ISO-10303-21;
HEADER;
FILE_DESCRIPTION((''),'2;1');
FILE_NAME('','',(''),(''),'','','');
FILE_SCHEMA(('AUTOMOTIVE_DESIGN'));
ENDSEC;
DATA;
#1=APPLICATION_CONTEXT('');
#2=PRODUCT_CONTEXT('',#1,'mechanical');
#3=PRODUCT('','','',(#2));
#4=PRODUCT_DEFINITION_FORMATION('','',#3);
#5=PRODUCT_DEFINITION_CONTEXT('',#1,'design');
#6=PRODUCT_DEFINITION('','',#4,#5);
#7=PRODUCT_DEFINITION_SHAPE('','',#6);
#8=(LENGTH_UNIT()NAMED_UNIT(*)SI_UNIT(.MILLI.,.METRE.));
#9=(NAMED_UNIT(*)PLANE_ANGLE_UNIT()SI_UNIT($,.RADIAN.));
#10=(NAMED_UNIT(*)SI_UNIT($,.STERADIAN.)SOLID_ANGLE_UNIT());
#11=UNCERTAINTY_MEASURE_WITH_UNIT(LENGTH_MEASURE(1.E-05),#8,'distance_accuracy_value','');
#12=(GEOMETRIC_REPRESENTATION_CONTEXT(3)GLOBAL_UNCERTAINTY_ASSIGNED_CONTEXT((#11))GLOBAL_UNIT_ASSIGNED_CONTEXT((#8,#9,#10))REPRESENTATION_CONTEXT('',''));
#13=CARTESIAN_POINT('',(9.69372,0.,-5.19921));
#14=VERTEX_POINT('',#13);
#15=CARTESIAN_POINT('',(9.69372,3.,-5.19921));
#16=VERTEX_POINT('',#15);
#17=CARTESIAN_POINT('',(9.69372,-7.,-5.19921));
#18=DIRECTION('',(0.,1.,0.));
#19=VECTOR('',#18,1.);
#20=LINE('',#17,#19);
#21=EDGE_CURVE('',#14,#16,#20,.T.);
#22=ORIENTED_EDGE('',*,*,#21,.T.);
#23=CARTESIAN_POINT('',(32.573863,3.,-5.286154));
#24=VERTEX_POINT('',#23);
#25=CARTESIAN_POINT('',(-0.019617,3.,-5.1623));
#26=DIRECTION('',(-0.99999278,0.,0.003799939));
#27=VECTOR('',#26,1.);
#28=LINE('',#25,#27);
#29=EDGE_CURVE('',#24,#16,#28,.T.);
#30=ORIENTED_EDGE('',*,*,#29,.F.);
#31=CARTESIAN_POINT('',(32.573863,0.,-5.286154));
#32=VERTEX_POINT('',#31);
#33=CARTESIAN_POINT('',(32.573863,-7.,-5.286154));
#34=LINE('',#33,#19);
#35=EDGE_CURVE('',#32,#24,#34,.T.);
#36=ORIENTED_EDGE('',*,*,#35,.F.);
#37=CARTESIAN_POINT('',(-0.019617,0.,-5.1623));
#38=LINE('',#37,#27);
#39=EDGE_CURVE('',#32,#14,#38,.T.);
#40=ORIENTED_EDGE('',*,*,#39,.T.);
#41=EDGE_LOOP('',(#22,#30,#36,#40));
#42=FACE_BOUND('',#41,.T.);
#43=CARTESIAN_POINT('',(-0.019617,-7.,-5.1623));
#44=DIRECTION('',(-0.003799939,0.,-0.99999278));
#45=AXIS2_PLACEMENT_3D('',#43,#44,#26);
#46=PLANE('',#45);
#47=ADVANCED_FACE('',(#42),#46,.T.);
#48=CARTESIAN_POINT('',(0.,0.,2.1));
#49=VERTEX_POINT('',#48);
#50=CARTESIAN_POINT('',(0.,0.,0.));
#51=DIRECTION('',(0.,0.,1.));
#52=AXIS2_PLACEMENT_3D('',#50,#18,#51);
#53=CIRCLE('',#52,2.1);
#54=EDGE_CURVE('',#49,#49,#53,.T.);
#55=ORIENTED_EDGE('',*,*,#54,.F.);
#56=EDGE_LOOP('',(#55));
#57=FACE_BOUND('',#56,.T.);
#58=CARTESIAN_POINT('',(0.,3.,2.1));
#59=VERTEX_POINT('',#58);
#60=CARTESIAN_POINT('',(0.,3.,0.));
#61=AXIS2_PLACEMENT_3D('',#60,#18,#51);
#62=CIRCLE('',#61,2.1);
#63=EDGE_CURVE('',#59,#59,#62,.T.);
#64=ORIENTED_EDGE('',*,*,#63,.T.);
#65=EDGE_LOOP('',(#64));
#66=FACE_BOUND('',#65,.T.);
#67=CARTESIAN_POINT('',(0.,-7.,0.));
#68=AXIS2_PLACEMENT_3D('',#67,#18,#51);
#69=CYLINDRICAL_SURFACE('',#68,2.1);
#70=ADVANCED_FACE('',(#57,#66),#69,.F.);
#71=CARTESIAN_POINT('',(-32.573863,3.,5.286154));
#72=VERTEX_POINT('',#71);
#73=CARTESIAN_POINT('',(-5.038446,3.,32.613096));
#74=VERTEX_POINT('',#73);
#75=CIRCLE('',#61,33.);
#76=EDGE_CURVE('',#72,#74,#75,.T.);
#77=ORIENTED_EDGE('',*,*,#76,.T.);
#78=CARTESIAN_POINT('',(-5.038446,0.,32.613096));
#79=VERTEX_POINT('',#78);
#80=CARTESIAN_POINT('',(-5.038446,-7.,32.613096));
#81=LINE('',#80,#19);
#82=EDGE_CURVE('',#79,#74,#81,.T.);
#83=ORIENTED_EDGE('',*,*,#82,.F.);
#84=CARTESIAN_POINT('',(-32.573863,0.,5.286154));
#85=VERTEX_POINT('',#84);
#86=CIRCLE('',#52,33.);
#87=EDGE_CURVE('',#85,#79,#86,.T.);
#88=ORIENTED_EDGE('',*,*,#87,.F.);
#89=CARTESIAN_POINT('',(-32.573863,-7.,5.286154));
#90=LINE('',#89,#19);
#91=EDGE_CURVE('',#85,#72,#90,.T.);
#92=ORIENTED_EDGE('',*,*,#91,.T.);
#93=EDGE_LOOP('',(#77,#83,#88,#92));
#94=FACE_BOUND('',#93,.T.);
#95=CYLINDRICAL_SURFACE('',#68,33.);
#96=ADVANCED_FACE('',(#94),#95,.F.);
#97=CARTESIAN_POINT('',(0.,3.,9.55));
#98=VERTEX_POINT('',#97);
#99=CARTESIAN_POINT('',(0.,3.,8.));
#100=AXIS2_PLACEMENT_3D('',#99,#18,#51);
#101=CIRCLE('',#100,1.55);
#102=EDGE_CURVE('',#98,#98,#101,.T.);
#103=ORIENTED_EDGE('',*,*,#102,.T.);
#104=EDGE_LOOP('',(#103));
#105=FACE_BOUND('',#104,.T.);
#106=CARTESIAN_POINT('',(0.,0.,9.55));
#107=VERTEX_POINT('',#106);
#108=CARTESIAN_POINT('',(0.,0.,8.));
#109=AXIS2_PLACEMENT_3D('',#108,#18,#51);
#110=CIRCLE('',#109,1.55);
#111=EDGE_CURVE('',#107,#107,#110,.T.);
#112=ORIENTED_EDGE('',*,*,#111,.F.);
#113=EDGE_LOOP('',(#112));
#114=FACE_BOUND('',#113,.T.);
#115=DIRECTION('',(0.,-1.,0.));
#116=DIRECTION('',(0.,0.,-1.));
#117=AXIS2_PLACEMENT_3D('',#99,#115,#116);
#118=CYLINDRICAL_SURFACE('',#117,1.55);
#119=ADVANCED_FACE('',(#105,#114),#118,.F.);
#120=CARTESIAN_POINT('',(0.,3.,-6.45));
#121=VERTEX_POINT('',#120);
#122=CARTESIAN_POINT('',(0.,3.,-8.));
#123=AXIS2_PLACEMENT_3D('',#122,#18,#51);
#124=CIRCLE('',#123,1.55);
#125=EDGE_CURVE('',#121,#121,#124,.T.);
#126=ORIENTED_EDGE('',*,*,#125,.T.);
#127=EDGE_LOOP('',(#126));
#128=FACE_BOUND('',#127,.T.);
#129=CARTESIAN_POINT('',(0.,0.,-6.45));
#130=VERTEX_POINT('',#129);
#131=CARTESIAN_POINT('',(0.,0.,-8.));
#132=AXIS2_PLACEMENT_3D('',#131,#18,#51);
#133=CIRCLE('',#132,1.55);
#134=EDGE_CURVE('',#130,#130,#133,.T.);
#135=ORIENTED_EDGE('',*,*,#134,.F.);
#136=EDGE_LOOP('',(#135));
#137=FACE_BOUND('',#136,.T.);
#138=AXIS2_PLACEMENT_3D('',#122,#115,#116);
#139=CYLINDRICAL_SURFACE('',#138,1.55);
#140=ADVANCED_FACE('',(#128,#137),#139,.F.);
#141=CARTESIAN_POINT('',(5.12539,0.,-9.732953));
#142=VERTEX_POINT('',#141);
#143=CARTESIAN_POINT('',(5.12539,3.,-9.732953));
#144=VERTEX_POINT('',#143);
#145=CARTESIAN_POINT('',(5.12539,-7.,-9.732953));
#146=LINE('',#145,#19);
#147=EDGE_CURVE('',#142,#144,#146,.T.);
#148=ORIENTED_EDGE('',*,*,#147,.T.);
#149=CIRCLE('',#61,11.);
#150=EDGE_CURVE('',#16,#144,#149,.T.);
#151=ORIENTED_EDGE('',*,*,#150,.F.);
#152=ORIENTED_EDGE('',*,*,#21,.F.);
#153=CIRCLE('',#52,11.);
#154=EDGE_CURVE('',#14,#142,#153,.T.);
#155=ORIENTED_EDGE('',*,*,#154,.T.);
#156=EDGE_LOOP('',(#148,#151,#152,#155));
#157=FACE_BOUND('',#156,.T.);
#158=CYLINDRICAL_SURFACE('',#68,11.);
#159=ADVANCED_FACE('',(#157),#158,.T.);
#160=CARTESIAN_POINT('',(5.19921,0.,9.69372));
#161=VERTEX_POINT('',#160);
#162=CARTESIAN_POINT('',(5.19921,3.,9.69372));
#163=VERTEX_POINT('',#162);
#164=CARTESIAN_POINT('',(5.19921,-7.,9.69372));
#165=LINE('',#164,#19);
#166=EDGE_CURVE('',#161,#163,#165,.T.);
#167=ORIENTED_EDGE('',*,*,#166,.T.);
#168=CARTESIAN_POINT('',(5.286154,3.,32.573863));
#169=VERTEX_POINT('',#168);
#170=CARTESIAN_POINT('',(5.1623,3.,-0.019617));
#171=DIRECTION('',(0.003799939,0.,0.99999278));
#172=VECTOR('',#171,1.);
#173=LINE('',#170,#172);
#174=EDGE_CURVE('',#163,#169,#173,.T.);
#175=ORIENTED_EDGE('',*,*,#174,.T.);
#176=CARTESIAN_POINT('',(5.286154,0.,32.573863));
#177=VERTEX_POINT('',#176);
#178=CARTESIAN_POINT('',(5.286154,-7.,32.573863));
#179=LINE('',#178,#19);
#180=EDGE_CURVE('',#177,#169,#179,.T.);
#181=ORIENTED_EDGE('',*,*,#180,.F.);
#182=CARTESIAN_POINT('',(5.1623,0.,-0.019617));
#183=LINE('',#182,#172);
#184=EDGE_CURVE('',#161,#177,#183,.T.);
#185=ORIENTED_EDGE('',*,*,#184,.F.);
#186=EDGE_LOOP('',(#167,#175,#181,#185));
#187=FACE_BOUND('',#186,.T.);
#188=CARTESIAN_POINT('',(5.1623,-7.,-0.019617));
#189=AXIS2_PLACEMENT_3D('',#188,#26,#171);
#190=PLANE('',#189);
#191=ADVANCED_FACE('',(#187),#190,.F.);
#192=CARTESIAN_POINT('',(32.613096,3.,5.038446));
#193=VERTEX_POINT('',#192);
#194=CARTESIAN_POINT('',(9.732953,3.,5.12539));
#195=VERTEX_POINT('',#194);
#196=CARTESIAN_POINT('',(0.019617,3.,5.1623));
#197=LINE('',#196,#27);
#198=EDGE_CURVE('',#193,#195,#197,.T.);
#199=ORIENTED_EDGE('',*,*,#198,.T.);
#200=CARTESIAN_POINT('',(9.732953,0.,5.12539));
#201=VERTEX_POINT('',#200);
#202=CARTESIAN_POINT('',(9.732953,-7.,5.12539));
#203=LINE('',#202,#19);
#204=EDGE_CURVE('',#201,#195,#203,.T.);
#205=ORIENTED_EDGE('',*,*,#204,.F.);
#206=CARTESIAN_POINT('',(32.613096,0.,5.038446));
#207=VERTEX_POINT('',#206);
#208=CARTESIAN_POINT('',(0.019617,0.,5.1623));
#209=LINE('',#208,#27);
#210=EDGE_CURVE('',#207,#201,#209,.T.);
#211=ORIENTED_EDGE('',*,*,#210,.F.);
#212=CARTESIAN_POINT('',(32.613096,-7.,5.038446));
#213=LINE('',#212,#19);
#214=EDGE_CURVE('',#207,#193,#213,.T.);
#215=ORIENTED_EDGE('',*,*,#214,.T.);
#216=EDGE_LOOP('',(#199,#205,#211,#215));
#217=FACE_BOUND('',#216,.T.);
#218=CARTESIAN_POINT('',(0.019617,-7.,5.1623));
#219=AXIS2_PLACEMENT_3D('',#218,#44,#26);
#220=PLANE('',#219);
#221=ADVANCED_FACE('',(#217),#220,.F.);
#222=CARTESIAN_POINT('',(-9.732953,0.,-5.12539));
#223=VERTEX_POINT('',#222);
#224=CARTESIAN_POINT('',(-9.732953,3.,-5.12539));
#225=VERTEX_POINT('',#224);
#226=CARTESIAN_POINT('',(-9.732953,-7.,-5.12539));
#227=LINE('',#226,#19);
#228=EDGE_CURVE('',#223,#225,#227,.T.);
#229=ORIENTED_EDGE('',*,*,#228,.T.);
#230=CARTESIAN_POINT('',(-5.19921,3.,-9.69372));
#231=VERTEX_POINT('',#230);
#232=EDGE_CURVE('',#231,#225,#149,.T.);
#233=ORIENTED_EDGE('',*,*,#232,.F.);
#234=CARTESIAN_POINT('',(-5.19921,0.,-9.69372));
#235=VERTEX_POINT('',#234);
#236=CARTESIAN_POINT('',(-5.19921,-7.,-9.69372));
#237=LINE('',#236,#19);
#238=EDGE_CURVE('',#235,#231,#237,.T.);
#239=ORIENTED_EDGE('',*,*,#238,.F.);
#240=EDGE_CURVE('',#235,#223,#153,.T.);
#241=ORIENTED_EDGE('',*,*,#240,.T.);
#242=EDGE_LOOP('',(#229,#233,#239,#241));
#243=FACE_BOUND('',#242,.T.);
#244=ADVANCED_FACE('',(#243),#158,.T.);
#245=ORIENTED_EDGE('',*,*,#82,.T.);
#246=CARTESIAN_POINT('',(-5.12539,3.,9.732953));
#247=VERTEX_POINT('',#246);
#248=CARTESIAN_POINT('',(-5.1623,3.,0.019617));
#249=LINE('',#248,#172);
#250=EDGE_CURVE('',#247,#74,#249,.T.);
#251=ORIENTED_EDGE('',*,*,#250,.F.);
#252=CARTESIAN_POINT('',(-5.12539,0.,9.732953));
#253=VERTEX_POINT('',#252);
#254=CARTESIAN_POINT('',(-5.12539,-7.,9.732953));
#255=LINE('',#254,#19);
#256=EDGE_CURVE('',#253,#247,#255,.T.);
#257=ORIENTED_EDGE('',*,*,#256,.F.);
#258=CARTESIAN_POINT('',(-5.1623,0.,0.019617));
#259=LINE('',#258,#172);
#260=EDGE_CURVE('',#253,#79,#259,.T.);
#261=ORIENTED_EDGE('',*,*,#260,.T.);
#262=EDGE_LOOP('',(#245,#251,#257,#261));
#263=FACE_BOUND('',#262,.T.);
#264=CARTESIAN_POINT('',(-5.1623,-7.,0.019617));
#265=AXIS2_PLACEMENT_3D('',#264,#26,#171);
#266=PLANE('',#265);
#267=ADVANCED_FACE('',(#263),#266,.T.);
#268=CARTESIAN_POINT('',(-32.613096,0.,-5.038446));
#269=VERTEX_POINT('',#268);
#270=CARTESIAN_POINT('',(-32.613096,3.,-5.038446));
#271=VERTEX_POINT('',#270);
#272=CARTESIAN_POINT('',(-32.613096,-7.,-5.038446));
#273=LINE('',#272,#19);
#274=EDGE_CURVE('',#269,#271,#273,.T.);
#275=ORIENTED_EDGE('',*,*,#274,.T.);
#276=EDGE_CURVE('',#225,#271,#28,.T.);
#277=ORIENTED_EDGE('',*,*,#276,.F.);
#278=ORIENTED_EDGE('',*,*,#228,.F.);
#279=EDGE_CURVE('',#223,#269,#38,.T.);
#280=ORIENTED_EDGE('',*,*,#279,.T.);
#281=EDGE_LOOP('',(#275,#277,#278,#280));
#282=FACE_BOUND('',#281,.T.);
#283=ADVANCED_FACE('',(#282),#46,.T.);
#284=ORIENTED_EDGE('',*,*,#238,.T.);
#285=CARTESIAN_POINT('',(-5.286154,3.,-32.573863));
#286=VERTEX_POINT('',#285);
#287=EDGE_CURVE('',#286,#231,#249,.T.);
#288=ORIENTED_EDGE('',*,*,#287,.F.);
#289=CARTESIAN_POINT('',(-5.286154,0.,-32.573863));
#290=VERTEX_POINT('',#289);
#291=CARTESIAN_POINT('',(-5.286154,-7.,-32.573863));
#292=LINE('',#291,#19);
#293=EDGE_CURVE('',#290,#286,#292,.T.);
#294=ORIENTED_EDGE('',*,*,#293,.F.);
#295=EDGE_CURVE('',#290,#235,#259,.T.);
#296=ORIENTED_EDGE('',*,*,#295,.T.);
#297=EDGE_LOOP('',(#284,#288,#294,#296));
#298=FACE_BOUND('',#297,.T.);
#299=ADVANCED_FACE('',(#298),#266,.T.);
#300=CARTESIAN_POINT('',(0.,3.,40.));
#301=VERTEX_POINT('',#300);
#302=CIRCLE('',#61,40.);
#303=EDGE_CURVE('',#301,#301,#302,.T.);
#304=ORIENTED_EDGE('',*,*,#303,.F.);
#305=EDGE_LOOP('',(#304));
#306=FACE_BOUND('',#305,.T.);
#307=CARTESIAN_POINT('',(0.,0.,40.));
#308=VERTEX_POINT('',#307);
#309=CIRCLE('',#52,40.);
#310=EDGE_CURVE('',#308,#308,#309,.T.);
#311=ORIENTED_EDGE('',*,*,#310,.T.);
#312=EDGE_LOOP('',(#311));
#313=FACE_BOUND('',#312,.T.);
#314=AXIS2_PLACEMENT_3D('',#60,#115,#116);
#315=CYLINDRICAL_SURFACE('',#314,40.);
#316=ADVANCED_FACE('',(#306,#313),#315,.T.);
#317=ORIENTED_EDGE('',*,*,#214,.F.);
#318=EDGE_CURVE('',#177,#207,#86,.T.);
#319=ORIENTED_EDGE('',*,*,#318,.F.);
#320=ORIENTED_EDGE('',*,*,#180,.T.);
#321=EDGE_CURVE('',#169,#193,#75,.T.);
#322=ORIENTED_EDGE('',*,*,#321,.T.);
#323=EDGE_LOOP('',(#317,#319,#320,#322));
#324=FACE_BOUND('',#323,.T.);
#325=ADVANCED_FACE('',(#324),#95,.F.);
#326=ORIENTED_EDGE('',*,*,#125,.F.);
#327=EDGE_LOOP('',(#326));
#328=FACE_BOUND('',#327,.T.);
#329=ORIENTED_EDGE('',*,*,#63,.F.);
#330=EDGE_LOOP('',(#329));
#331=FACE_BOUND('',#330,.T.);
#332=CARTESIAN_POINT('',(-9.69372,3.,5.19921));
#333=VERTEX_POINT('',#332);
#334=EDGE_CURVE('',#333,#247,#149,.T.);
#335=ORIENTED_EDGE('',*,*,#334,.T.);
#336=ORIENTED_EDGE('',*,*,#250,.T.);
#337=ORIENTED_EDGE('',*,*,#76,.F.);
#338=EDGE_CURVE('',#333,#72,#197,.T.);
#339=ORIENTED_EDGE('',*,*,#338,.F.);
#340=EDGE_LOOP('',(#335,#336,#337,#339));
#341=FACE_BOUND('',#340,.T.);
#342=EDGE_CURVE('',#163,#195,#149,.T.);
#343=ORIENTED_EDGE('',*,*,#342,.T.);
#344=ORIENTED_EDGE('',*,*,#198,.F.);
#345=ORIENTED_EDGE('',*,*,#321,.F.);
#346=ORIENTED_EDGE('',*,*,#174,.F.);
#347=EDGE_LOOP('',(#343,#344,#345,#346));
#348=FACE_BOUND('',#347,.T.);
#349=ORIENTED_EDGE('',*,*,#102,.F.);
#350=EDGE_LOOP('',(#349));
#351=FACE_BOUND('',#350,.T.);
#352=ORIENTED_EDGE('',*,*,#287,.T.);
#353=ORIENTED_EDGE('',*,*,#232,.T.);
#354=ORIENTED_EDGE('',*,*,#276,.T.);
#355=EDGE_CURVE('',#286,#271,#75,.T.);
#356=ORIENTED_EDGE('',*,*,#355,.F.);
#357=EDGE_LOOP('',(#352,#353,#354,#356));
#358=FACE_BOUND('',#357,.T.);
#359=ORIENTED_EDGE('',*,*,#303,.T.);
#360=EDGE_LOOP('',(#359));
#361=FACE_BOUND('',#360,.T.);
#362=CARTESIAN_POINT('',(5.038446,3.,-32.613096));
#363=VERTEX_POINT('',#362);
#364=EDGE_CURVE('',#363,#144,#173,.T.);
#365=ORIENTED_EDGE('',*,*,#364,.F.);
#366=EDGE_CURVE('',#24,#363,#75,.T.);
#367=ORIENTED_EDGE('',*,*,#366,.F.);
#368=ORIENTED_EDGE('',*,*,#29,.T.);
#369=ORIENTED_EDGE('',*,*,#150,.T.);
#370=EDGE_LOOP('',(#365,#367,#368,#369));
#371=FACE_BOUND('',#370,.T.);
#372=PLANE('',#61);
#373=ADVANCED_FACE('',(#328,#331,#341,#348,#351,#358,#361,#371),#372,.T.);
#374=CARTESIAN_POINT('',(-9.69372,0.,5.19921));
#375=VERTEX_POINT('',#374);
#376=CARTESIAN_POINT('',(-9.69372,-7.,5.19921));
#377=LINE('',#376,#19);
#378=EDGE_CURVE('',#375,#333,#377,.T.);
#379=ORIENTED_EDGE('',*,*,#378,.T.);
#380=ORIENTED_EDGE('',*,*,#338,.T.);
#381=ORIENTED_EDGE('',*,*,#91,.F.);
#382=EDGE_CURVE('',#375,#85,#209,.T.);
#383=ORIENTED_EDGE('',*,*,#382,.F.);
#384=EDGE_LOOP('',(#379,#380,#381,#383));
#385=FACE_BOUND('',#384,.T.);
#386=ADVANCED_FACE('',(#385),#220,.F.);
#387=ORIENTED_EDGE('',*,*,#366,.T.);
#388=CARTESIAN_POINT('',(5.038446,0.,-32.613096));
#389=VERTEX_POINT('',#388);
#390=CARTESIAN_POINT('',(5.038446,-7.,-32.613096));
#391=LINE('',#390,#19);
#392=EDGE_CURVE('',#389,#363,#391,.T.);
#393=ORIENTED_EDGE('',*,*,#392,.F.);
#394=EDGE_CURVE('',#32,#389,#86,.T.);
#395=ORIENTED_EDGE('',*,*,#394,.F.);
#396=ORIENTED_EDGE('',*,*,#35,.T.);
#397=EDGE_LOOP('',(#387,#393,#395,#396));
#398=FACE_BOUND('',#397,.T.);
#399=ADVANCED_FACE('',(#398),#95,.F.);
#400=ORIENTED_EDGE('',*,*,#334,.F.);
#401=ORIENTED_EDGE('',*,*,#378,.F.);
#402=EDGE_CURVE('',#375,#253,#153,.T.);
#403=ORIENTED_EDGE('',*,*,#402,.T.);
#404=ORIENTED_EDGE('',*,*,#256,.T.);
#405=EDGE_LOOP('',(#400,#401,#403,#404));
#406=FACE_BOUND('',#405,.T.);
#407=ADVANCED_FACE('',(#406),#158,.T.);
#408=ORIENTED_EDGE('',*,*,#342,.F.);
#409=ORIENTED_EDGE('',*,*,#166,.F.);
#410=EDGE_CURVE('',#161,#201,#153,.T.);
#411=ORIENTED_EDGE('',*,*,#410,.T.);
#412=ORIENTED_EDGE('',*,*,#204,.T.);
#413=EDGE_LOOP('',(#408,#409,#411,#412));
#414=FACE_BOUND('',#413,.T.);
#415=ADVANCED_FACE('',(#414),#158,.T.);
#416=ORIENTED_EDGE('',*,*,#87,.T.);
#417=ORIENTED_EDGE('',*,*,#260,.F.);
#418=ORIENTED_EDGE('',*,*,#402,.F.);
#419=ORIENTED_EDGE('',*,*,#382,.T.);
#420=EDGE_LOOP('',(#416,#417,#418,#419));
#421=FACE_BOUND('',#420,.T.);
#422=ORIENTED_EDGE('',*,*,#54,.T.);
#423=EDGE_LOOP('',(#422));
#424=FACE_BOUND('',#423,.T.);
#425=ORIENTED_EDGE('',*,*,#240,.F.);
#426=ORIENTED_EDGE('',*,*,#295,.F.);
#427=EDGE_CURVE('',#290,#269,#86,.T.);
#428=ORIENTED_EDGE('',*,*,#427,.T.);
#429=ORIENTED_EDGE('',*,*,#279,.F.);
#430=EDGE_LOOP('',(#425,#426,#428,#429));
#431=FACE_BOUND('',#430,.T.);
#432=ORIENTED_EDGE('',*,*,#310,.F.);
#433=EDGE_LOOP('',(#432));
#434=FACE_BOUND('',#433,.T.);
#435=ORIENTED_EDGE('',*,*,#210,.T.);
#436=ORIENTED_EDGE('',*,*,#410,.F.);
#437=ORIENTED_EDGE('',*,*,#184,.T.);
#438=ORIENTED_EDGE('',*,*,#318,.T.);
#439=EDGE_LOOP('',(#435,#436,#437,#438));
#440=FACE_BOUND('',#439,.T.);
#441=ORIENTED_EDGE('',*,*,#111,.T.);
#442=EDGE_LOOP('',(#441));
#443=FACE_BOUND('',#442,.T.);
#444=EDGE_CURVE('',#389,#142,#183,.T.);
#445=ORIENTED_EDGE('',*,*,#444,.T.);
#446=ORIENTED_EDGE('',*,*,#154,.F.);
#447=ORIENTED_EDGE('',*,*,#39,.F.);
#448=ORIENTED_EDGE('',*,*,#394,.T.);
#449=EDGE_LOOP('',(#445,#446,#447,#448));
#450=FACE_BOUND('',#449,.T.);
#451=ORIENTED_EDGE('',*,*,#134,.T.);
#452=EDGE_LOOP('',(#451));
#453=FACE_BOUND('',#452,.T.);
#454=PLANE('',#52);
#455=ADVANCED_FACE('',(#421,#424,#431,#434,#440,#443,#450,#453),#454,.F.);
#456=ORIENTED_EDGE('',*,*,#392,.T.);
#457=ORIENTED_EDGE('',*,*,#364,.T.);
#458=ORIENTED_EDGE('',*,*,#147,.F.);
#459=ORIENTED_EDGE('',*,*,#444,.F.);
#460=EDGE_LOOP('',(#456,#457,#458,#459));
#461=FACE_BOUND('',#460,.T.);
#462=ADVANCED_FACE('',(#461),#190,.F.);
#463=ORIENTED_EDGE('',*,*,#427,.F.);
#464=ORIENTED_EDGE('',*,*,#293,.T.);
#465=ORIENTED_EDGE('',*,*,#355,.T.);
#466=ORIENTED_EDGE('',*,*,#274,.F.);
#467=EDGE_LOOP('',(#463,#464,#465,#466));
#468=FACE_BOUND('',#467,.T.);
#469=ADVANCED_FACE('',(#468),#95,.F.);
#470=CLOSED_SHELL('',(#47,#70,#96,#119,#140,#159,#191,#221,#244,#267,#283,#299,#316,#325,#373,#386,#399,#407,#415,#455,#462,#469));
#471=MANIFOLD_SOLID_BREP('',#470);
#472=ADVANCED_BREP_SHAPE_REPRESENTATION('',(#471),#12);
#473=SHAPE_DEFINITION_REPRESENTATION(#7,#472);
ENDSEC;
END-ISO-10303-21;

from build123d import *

# Parameters (mm, degrees)
SKETCH_1_R          = 40
SKETCH_1_R_2        = 1.55
EXTRUDE_1_DEPTH     = 3
SKETCH_5_R          = 2.1
CUT_EXTRUDE_4_DEPTH = 10
CUT_EXTRUDE_5_DEPTH = 10


with BuildPart() as part:
    # 草图1 → 凸台-拉伸1 (new body)
    with BuildSketch(Plane(origin=(0, 0, 0), x_dir=(1, 0, 0), z_dir=(0, 1, 0))):
        with Locations(Location((0, 0, 0), (0, 0, 270))):
            Circle(SKETCH_1_R)
        with Locations(Location((0, 8, 0), (0, 0, 270))):
            Circle(SKETCH_1_R_2, mode=Mode.SUBTRACT)
        with Locations(Location((0, -8, 0), (0, 0, 270))):
            Circle(SKETCH_1_R_2, mode=Mode.SUBTRACT)
    extrude(amount=EXTRUDE_1_DEPTH)

    # 草图5 → 切除-拉伸4 (cut)
    with BuildSketch(Plane(origin=(0, 3, 0), x_dir=(1, 0, 0), z_dir=(0, 1, 0))):
        with Locations(Location((0, 0, 0), (0, 0, 270))):
            Circle(SKETCH_5_R)
    extrude(amount=-CUT_EXTRUDE_4_DEPTH, mode=Mode.SUBTRACT)

    # 草图4 → 切除-拉伸5 (cut)
    with BuildSketch(Plane(origin=(0, 3, 0), x_dir=(1, 0, 0), z_dir=(0, 1, 0))):
        with BuildLine():
            Line((-5.199210429, 9.693720179), (-5.286154205, 32.573863353))
            ThreePointArc((-5.286154205, 32.573863353), (-23.423025076, 23.245685542), (-32.613096487, 5.038445946))
            Line((-32.613096487, 5.038445946), (-9.732953313, 5.125389722))
            ThreePointArc((-9.732953313, 5.125389722), (-7.807675025, 7.748561847), (-5.199210429, 9.693720179))
        make_face()
        with BuildLine():
            ThreePointArc((32.573863353, 5.286154205), (23.245685542, 23.423025076), (5.038445946, 32.613096487))
            Line((5.038445946, 32.613096487), (5.125389722, 9.732953313))
            ThreePointArc((5.125389722, 9.732953313), (7.748561847, 7.807675025), (9.693720179, 5.199210429))
            Line((9.693720179, 5.199210429), (32.573863353, 5.286154205))
        make_face()
        with BuildLine():
            ThreePointArc((5.286154205, -32.573863353), (23.423025076, -23.245685542), (32.613096487, -5.038445946))
            Line((32.613096487, -5.038445946), (9.732953313, -5.125389722))
            ThreePointArc((9.732953313, -5.125389722), (7.807675025, -7.748561847), (5.199210429, -9.693720179))
            Line((5.199210429, -9.693720179), (5.286154205, -32.573863353))
        make_face()
        with BuildLine():
            Line((-9.693720179, -5.199210429), (-32.573863353, -5.286154205))
            ThreePointArc((-32.573863353, -5.286154205), (-23.245685542, -23.423025076), (-5.038445946, -32.613096487))
            Line((-5.038445946, -32.613096487), (-5.125389722, -9.732953313))
            ThreePointArc((-5.125389722, -9.732953313), (-7.748561847, -7.807675025), (-9.693720179, -5.199210429))
        make_face()
    extrude(amount=-CUT_EXTRUDE_5_DEPTH, mode=Mode.SUBTRACT)


solid = part.part
